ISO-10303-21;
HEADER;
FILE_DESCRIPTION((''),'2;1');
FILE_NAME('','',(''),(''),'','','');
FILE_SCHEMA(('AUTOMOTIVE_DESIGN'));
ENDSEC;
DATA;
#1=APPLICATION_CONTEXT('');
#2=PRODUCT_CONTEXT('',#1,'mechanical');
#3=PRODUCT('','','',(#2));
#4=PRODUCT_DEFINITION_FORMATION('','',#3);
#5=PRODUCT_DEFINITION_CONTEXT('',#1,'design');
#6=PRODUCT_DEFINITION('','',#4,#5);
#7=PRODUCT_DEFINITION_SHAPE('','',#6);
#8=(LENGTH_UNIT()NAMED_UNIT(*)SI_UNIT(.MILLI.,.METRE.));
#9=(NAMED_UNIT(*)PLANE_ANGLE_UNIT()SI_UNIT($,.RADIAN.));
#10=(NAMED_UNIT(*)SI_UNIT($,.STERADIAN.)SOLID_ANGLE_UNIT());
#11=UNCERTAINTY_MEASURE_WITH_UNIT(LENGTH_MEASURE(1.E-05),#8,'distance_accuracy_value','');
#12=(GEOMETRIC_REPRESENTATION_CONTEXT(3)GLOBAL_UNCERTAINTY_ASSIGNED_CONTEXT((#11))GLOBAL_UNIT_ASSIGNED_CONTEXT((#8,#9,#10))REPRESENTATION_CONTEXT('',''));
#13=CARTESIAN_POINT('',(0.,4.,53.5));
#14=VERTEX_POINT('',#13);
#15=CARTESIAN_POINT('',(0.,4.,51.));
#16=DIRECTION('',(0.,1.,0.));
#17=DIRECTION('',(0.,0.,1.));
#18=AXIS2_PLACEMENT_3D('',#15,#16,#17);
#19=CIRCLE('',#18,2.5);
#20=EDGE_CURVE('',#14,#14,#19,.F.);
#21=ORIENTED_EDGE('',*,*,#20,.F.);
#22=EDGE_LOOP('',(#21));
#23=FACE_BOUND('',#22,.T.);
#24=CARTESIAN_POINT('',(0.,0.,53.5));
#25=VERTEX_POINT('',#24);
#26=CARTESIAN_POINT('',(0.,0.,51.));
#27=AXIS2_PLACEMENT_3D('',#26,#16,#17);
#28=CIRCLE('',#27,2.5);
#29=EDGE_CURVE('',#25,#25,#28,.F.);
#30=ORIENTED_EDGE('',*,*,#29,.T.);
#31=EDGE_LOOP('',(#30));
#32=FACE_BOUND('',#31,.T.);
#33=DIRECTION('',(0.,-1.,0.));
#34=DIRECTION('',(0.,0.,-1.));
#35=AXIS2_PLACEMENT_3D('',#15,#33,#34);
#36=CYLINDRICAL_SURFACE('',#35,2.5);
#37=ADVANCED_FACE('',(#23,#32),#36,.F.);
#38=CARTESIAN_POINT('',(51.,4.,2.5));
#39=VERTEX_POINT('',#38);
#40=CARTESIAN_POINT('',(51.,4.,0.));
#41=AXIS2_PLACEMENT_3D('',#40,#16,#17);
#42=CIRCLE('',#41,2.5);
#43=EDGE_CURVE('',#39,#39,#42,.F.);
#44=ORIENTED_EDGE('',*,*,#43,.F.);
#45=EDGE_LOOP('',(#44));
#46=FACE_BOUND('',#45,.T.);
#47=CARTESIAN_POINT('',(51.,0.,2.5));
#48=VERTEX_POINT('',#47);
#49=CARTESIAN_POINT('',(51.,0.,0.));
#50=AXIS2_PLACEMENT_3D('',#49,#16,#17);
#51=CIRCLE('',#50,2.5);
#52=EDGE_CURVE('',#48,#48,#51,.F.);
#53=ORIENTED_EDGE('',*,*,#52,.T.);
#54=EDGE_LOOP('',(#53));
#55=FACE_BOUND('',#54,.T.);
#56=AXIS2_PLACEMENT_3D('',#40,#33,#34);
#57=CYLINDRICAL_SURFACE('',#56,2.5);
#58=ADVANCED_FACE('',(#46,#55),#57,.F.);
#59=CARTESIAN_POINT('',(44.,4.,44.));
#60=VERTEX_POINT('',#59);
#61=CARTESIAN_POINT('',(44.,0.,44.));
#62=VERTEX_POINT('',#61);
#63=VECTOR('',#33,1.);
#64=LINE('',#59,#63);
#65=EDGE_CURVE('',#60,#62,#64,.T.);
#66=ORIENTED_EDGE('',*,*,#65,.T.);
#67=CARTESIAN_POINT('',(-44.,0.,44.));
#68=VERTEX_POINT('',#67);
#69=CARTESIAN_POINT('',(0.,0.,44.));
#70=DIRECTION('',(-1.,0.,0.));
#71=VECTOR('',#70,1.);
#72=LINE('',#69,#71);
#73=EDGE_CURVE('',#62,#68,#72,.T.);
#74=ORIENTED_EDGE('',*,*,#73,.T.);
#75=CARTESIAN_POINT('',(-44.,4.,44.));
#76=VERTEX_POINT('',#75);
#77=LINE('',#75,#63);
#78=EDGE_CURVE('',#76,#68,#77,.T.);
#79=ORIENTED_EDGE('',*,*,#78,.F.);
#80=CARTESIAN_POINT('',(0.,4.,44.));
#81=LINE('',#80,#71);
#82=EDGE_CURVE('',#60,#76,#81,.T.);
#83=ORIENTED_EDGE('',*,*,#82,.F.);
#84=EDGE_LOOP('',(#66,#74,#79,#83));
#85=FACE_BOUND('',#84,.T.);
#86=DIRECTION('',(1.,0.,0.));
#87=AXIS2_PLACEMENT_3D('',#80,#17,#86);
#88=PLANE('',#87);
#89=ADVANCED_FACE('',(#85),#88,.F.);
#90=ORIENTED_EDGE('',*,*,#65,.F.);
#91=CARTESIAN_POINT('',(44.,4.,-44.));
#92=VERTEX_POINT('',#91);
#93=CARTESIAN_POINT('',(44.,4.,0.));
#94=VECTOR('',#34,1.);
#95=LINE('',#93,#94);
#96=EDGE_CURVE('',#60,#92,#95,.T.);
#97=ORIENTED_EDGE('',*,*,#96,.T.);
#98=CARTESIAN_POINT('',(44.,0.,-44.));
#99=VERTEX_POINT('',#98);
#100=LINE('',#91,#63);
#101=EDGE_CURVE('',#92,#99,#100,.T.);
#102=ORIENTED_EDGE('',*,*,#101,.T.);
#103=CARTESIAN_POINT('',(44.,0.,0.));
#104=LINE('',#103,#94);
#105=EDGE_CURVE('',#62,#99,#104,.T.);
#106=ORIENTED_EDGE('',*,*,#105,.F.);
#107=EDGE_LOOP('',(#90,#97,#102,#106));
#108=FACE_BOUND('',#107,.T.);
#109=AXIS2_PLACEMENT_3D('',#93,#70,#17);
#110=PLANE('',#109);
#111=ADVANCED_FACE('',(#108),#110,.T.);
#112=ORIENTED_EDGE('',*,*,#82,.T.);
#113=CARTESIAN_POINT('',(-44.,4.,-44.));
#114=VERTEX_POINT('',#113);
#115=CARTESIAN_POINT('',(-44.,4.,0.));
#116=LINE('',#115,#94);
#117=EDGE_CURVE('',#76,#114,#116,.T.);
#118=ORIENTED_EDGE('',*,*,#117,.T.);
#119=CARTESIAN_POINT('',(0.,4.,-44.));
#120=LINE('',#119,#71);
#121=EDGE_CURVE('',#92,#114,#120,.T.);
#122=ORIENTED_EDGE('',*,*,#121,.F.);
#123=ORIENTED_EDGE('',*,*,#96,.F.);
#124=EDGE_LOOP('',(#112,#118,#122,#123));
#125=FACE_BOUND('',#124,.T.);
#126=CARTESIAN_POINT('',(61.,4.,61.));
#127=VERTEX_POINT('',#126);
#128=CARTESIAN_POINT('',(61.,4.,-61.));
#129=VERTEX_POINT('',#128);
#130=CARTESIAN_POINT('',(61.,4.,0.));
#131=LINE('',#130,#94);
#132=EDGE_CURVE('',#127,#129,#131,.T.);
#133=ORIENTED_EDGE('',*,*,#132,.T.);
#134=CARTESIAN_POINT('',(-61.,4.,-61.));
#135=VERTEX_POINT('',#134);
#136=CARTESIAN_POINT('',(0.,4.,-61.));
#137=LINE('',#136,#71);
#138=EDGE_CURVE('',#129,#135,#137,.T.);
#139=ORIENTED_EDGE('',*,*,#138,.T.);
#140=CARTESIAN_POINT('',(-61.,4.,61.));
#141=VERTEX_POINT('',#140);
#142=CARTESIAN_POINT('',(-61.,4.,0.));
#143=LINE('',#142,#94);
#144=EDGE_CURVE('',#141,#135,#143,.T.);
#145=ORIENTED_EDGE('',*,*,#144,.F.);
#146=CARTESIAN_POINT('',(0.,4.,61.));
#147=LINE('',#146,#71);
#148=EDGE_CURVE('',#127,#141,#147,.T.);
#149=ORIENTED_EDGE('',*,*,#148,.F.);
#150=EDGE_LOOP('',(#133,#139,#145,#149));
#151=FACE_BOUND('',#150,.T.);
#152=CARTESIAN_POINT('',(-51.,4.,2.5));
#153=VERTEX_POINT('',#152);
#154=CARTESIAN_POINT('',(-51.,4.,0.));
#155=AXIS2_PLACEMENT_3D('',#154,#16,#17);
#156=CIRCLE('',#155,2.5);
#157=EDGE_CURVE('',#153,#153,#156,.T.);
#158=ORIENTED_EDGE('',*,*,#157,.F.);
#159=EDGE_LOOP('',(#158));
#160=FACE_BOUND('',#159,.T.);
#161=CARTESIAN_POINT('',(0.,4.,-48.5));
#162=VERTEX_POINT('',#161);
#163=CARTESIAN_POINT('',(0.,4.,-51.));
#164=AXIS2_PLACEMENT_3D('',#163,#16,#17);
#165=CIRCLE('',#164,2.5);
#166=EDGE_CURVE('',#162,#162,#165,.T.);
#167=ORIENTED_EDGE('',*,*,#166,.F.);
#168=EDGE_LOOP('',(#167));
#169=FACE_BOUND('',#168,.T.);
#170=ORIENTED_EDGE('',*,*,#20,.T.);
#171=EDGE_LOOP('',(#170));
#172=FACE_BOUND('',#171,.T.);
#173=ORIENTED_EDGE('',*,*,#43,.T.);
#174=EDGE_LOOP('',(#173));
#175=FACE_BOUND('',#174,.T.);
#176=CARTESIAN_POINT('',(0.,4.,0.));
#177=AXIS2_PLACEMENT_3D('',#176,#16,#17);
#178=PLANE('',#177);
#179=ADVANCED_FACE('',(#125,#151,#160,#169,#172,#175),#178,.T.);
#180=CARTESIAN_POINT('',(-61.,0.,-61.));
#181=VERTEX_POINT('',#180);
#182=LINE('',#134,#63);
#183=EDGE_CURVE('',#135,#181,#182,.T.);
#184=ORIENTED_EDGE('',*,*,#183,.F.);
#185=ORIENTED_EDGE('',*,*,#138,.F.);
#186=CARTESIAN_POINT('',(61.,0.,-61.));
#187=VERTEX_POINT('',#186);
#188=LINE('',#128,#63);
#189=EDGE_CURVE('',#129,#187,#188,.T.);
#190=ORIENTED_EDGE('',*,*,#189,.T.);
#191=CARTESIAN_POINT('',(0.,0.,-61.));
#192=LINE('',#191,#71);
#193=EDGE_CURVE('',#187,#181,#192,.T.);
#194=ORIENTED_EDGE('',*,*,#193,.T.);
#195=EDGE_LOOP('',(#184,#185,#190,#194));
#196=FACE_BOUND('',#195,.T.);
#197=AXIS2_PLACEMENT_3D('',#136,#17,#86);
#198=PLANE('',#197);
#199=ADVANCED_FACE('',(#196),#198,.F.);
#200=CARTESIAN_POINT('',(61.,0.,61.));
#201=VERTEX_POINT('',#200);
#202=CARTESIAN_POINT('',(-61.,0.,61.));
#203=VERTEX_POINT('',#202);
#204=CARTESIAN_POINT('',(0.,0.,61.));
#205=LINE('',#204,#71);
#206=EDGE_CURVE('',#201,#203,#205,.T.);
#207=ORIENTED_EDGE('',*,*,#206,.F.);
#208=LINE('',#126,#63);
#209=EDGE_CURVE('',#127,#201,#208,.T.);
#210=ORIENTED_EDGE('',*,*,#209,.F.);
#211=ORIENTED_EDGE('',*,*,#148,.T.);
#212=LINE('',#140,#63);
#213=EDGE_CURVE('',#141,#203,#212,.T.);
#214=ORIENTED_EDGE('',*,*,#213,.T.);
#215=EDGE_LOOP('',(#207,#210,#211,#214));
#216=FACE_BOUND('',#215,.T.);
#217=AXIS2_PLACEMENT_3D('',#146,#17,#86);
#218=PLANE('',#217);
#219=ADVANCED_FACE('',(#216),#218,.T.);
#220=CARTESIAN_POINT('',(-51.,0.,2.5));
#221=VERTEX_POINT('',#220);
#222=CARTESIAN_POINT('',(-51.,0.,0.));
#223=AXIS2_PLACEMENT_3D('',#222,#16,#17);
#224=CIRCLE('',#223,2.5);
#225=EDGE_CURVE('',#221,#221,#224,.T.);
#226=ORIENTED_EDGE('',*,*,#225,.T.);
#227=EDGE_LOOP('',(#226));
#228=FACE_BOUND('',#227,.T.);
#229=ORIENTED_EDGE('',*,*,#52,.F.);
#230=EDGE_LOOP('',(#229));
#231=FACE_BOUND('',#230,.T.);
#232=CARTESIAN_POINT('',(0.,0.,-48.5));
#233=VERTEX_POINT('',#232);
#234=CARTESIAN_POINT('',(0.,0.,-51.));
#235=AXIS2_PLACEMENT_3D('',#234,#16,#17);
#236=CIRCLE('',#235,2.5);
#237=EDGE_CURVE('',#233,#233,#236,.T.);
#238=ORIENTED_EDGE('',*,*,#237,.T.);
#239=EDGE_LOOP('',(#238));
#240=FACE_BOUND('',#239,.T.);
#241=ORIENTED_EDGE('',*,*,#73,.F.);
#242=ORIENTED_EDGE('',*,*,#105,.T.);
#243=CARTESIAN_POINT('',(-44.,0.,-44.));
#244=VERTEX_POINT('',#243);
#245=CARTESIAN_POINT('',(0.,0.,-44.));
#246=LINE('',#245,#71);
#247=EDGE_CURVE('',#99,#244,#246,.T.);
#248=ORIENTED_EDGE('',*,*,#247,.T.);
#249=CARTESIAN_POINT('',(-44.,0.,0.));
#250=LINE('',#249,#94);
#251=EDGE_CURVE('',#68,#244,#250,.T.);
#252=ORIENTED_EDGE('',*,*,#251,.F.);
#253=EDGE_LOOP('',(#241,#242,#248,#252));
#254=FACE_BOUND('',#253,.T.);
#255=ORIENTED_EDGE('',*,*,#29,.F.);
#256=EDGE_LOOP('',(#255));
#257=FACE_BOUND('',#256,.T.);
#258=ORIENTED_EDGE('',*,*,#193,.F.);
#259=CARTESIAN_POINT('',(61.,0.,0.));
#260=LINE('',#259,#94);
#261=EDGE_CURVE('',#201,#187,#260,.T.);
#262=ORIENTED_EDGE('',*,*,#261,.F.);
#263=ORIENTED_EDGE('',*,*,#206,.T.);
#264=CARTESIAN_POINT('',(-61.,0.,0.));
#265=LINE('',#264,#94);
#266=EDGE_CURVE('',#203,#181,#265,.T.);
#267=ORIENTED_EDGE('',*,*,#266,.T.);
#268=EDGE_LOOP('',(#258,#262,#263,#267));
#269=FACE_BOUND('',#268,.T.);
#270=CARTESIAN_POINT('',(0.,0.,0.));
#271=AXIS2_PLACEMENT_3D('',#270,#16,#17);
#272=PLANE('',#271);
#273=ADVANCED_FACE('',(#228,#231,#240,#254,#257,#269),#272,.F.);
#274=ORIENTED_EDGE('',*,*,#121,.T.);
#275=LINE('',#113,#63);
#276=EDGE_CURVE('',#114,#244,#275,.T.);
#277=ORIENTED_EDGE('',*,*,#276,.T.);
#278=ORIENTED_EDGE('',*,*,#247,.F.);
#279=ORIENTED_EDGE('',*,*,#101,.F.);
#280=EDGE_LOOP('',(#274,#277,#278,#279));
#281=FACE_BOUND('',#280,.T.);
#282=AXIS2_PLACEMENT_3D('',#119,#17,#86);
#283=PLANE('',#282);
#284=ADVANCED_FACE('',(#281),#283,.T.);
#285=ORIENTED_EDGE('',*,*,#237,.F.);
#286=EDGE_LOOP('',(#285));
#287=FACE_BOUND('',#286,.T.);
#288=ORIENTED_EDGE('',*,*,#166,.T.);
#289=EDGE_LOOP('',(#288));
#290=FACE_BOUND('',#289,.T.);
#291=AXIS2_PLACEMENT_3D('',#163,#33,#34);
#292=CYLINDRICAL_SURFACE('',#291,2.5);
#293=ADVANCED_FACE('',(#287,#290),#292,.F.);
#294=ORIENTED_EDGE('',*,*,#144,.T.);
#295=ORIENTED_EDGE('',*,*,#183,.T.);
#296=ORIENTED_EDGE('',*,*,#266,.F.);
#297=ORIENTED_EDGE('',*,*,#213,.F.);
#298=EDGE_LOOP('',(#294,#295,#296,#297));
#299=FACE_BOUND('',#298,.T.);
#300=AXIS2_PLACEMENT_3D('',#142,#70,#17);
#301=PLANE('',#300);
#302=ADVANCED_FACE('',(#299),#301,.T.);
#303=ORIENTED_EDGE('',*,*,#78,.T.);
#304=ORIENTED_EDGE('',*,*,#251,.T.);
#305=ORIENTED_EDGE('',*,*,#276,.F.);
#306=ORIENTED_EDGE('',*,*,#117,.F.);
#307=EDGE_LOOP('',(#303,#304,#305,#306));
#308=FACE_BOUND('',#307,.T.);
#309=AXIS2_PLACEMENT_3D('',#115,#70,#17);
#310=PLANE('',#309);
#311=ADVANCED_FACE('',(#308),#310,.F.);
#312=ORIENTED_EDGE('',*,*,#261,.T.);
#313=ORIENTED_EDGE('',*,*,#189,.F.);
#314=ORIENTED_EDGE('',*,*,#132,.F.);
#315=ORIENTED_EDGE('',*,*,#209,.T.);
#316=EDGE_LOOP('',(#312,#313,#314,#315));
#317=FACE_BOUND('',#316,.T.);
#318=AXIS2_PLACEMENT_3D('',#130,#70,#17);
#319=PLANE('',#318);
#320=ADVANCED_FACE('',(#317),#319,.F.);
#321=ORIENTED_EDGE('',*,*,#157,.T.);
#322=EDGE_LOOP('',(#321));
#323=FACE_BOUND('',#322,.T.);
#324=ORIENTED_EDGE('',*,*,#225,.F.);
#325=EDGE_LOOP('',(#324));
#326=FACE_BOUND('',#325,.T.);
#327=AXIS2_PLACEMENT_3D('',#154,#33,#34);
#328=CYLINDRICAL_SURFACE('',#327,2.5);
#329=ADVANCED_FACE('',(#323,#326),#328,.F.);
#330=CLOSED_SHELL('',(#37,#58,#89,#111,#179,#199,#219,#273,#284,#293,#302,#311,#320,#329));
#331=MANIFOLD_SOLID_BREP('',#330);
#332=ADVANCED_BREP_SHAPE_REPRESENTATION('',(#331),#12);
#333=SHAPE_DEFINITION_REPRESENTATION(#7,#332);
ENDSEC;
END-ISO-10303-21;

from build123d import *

# Parameters (mm, degrees)
BOSS_EXTRUDE1_DEPTH = 4


with BuildPart() as part:
    # Sketch1 → Boss-Extrude1 (new body)
    with BuildSketch(Plane(origin=(0, 0, 0), x_dir=(1, 0, 0), z_dir=(0, 1, 0))):
        with BuildLine():
            Line((-61, -61), (0, -61))
            Line((0, -61), (0, -53.5))
            ThreePointArc((0, -53.5), (-2.5, -51), (0, -48.5))
            Line((0, -48.5), (0, -44))
            Line((0, -44), (-44, -44))
            Line((-44, -44), (-44, 0))
            Line((-44, 0), (-48.5, 0))
            ThreePointArc((-48.5, 0), (-51, -2.5), (-53.5, 0))
            Line((-53.5, 0), (-61, 0))
            Line((-61, 0), (-61, -61))
        make_face()
        with BuildLine():
            Line((61, 0), (53.5, 0))
            ThreePointArc((53.5, 0), (51, -2.5), (48.5, 0))
            Line((48.5, 0), (44, 0))
            Line((44, 0), (44, -44))
            Line((44, -44), (0, -44))
            Line((0, -44), (0, -48.5))
            ThreePointArc((0, -48.5), (1.767766953, -49.232233047), (2.5, -51))
            ThreePointArc((2.5, -51), (1.767766953, -52.767766953), (0, -53.5))
            Line((0, -53.5), (0, -61))
            Line((0, -61), (61, -61))
            Line((61, -61), (61, 0))
        make_face()
        with BuildLine():
            ThreePointArc((48.5, 0), (51, 2.5), (53.5, 0))
            Line((53.5, 0), (61, 0))
            Line((61, 0), (61, 61))
            Line((61, 61), (0, 61))
            Line((0, 61), (0, 53.5))
            ThreePointArc((0, 53.5), (1.767766953, 52.767766953), (2.5, 51))
            ThreePointArc((2.5, 51), (1.767766953, 49.232233047), (0, 48.5))
            Line((0, 48.5), (0, 44))
            Line((0, 44), (44, 44))
            Line((44, 44), (44, 0))
            Line((44, 0), (48.5, 0))
        make_face()
        with BuildLine():
            Line((0, 53.5), (0, 61))
            Line((0, 61), (-61, 61))
            Line((-61, 61), (-61, 0))
            Line((-61, 0), (-53.5, 0))
            ThreePointArc((-53.5, 0), (-51, 2.5), (-48.5, 0))
            Line((-48.5, 0), (-44, 0))
            Line((-44, 0), (-44, 44))
            Line((-44, 44), (0, 44))
            Line((0, 44), (0, 48.5))
            ThreePointArc((0, 48.5), (-2.5, 51), (0, 53.5))
        make_face()
    extrude(amount=BOSS_EXTRUDE1_DEPTH)


solid = part.part
